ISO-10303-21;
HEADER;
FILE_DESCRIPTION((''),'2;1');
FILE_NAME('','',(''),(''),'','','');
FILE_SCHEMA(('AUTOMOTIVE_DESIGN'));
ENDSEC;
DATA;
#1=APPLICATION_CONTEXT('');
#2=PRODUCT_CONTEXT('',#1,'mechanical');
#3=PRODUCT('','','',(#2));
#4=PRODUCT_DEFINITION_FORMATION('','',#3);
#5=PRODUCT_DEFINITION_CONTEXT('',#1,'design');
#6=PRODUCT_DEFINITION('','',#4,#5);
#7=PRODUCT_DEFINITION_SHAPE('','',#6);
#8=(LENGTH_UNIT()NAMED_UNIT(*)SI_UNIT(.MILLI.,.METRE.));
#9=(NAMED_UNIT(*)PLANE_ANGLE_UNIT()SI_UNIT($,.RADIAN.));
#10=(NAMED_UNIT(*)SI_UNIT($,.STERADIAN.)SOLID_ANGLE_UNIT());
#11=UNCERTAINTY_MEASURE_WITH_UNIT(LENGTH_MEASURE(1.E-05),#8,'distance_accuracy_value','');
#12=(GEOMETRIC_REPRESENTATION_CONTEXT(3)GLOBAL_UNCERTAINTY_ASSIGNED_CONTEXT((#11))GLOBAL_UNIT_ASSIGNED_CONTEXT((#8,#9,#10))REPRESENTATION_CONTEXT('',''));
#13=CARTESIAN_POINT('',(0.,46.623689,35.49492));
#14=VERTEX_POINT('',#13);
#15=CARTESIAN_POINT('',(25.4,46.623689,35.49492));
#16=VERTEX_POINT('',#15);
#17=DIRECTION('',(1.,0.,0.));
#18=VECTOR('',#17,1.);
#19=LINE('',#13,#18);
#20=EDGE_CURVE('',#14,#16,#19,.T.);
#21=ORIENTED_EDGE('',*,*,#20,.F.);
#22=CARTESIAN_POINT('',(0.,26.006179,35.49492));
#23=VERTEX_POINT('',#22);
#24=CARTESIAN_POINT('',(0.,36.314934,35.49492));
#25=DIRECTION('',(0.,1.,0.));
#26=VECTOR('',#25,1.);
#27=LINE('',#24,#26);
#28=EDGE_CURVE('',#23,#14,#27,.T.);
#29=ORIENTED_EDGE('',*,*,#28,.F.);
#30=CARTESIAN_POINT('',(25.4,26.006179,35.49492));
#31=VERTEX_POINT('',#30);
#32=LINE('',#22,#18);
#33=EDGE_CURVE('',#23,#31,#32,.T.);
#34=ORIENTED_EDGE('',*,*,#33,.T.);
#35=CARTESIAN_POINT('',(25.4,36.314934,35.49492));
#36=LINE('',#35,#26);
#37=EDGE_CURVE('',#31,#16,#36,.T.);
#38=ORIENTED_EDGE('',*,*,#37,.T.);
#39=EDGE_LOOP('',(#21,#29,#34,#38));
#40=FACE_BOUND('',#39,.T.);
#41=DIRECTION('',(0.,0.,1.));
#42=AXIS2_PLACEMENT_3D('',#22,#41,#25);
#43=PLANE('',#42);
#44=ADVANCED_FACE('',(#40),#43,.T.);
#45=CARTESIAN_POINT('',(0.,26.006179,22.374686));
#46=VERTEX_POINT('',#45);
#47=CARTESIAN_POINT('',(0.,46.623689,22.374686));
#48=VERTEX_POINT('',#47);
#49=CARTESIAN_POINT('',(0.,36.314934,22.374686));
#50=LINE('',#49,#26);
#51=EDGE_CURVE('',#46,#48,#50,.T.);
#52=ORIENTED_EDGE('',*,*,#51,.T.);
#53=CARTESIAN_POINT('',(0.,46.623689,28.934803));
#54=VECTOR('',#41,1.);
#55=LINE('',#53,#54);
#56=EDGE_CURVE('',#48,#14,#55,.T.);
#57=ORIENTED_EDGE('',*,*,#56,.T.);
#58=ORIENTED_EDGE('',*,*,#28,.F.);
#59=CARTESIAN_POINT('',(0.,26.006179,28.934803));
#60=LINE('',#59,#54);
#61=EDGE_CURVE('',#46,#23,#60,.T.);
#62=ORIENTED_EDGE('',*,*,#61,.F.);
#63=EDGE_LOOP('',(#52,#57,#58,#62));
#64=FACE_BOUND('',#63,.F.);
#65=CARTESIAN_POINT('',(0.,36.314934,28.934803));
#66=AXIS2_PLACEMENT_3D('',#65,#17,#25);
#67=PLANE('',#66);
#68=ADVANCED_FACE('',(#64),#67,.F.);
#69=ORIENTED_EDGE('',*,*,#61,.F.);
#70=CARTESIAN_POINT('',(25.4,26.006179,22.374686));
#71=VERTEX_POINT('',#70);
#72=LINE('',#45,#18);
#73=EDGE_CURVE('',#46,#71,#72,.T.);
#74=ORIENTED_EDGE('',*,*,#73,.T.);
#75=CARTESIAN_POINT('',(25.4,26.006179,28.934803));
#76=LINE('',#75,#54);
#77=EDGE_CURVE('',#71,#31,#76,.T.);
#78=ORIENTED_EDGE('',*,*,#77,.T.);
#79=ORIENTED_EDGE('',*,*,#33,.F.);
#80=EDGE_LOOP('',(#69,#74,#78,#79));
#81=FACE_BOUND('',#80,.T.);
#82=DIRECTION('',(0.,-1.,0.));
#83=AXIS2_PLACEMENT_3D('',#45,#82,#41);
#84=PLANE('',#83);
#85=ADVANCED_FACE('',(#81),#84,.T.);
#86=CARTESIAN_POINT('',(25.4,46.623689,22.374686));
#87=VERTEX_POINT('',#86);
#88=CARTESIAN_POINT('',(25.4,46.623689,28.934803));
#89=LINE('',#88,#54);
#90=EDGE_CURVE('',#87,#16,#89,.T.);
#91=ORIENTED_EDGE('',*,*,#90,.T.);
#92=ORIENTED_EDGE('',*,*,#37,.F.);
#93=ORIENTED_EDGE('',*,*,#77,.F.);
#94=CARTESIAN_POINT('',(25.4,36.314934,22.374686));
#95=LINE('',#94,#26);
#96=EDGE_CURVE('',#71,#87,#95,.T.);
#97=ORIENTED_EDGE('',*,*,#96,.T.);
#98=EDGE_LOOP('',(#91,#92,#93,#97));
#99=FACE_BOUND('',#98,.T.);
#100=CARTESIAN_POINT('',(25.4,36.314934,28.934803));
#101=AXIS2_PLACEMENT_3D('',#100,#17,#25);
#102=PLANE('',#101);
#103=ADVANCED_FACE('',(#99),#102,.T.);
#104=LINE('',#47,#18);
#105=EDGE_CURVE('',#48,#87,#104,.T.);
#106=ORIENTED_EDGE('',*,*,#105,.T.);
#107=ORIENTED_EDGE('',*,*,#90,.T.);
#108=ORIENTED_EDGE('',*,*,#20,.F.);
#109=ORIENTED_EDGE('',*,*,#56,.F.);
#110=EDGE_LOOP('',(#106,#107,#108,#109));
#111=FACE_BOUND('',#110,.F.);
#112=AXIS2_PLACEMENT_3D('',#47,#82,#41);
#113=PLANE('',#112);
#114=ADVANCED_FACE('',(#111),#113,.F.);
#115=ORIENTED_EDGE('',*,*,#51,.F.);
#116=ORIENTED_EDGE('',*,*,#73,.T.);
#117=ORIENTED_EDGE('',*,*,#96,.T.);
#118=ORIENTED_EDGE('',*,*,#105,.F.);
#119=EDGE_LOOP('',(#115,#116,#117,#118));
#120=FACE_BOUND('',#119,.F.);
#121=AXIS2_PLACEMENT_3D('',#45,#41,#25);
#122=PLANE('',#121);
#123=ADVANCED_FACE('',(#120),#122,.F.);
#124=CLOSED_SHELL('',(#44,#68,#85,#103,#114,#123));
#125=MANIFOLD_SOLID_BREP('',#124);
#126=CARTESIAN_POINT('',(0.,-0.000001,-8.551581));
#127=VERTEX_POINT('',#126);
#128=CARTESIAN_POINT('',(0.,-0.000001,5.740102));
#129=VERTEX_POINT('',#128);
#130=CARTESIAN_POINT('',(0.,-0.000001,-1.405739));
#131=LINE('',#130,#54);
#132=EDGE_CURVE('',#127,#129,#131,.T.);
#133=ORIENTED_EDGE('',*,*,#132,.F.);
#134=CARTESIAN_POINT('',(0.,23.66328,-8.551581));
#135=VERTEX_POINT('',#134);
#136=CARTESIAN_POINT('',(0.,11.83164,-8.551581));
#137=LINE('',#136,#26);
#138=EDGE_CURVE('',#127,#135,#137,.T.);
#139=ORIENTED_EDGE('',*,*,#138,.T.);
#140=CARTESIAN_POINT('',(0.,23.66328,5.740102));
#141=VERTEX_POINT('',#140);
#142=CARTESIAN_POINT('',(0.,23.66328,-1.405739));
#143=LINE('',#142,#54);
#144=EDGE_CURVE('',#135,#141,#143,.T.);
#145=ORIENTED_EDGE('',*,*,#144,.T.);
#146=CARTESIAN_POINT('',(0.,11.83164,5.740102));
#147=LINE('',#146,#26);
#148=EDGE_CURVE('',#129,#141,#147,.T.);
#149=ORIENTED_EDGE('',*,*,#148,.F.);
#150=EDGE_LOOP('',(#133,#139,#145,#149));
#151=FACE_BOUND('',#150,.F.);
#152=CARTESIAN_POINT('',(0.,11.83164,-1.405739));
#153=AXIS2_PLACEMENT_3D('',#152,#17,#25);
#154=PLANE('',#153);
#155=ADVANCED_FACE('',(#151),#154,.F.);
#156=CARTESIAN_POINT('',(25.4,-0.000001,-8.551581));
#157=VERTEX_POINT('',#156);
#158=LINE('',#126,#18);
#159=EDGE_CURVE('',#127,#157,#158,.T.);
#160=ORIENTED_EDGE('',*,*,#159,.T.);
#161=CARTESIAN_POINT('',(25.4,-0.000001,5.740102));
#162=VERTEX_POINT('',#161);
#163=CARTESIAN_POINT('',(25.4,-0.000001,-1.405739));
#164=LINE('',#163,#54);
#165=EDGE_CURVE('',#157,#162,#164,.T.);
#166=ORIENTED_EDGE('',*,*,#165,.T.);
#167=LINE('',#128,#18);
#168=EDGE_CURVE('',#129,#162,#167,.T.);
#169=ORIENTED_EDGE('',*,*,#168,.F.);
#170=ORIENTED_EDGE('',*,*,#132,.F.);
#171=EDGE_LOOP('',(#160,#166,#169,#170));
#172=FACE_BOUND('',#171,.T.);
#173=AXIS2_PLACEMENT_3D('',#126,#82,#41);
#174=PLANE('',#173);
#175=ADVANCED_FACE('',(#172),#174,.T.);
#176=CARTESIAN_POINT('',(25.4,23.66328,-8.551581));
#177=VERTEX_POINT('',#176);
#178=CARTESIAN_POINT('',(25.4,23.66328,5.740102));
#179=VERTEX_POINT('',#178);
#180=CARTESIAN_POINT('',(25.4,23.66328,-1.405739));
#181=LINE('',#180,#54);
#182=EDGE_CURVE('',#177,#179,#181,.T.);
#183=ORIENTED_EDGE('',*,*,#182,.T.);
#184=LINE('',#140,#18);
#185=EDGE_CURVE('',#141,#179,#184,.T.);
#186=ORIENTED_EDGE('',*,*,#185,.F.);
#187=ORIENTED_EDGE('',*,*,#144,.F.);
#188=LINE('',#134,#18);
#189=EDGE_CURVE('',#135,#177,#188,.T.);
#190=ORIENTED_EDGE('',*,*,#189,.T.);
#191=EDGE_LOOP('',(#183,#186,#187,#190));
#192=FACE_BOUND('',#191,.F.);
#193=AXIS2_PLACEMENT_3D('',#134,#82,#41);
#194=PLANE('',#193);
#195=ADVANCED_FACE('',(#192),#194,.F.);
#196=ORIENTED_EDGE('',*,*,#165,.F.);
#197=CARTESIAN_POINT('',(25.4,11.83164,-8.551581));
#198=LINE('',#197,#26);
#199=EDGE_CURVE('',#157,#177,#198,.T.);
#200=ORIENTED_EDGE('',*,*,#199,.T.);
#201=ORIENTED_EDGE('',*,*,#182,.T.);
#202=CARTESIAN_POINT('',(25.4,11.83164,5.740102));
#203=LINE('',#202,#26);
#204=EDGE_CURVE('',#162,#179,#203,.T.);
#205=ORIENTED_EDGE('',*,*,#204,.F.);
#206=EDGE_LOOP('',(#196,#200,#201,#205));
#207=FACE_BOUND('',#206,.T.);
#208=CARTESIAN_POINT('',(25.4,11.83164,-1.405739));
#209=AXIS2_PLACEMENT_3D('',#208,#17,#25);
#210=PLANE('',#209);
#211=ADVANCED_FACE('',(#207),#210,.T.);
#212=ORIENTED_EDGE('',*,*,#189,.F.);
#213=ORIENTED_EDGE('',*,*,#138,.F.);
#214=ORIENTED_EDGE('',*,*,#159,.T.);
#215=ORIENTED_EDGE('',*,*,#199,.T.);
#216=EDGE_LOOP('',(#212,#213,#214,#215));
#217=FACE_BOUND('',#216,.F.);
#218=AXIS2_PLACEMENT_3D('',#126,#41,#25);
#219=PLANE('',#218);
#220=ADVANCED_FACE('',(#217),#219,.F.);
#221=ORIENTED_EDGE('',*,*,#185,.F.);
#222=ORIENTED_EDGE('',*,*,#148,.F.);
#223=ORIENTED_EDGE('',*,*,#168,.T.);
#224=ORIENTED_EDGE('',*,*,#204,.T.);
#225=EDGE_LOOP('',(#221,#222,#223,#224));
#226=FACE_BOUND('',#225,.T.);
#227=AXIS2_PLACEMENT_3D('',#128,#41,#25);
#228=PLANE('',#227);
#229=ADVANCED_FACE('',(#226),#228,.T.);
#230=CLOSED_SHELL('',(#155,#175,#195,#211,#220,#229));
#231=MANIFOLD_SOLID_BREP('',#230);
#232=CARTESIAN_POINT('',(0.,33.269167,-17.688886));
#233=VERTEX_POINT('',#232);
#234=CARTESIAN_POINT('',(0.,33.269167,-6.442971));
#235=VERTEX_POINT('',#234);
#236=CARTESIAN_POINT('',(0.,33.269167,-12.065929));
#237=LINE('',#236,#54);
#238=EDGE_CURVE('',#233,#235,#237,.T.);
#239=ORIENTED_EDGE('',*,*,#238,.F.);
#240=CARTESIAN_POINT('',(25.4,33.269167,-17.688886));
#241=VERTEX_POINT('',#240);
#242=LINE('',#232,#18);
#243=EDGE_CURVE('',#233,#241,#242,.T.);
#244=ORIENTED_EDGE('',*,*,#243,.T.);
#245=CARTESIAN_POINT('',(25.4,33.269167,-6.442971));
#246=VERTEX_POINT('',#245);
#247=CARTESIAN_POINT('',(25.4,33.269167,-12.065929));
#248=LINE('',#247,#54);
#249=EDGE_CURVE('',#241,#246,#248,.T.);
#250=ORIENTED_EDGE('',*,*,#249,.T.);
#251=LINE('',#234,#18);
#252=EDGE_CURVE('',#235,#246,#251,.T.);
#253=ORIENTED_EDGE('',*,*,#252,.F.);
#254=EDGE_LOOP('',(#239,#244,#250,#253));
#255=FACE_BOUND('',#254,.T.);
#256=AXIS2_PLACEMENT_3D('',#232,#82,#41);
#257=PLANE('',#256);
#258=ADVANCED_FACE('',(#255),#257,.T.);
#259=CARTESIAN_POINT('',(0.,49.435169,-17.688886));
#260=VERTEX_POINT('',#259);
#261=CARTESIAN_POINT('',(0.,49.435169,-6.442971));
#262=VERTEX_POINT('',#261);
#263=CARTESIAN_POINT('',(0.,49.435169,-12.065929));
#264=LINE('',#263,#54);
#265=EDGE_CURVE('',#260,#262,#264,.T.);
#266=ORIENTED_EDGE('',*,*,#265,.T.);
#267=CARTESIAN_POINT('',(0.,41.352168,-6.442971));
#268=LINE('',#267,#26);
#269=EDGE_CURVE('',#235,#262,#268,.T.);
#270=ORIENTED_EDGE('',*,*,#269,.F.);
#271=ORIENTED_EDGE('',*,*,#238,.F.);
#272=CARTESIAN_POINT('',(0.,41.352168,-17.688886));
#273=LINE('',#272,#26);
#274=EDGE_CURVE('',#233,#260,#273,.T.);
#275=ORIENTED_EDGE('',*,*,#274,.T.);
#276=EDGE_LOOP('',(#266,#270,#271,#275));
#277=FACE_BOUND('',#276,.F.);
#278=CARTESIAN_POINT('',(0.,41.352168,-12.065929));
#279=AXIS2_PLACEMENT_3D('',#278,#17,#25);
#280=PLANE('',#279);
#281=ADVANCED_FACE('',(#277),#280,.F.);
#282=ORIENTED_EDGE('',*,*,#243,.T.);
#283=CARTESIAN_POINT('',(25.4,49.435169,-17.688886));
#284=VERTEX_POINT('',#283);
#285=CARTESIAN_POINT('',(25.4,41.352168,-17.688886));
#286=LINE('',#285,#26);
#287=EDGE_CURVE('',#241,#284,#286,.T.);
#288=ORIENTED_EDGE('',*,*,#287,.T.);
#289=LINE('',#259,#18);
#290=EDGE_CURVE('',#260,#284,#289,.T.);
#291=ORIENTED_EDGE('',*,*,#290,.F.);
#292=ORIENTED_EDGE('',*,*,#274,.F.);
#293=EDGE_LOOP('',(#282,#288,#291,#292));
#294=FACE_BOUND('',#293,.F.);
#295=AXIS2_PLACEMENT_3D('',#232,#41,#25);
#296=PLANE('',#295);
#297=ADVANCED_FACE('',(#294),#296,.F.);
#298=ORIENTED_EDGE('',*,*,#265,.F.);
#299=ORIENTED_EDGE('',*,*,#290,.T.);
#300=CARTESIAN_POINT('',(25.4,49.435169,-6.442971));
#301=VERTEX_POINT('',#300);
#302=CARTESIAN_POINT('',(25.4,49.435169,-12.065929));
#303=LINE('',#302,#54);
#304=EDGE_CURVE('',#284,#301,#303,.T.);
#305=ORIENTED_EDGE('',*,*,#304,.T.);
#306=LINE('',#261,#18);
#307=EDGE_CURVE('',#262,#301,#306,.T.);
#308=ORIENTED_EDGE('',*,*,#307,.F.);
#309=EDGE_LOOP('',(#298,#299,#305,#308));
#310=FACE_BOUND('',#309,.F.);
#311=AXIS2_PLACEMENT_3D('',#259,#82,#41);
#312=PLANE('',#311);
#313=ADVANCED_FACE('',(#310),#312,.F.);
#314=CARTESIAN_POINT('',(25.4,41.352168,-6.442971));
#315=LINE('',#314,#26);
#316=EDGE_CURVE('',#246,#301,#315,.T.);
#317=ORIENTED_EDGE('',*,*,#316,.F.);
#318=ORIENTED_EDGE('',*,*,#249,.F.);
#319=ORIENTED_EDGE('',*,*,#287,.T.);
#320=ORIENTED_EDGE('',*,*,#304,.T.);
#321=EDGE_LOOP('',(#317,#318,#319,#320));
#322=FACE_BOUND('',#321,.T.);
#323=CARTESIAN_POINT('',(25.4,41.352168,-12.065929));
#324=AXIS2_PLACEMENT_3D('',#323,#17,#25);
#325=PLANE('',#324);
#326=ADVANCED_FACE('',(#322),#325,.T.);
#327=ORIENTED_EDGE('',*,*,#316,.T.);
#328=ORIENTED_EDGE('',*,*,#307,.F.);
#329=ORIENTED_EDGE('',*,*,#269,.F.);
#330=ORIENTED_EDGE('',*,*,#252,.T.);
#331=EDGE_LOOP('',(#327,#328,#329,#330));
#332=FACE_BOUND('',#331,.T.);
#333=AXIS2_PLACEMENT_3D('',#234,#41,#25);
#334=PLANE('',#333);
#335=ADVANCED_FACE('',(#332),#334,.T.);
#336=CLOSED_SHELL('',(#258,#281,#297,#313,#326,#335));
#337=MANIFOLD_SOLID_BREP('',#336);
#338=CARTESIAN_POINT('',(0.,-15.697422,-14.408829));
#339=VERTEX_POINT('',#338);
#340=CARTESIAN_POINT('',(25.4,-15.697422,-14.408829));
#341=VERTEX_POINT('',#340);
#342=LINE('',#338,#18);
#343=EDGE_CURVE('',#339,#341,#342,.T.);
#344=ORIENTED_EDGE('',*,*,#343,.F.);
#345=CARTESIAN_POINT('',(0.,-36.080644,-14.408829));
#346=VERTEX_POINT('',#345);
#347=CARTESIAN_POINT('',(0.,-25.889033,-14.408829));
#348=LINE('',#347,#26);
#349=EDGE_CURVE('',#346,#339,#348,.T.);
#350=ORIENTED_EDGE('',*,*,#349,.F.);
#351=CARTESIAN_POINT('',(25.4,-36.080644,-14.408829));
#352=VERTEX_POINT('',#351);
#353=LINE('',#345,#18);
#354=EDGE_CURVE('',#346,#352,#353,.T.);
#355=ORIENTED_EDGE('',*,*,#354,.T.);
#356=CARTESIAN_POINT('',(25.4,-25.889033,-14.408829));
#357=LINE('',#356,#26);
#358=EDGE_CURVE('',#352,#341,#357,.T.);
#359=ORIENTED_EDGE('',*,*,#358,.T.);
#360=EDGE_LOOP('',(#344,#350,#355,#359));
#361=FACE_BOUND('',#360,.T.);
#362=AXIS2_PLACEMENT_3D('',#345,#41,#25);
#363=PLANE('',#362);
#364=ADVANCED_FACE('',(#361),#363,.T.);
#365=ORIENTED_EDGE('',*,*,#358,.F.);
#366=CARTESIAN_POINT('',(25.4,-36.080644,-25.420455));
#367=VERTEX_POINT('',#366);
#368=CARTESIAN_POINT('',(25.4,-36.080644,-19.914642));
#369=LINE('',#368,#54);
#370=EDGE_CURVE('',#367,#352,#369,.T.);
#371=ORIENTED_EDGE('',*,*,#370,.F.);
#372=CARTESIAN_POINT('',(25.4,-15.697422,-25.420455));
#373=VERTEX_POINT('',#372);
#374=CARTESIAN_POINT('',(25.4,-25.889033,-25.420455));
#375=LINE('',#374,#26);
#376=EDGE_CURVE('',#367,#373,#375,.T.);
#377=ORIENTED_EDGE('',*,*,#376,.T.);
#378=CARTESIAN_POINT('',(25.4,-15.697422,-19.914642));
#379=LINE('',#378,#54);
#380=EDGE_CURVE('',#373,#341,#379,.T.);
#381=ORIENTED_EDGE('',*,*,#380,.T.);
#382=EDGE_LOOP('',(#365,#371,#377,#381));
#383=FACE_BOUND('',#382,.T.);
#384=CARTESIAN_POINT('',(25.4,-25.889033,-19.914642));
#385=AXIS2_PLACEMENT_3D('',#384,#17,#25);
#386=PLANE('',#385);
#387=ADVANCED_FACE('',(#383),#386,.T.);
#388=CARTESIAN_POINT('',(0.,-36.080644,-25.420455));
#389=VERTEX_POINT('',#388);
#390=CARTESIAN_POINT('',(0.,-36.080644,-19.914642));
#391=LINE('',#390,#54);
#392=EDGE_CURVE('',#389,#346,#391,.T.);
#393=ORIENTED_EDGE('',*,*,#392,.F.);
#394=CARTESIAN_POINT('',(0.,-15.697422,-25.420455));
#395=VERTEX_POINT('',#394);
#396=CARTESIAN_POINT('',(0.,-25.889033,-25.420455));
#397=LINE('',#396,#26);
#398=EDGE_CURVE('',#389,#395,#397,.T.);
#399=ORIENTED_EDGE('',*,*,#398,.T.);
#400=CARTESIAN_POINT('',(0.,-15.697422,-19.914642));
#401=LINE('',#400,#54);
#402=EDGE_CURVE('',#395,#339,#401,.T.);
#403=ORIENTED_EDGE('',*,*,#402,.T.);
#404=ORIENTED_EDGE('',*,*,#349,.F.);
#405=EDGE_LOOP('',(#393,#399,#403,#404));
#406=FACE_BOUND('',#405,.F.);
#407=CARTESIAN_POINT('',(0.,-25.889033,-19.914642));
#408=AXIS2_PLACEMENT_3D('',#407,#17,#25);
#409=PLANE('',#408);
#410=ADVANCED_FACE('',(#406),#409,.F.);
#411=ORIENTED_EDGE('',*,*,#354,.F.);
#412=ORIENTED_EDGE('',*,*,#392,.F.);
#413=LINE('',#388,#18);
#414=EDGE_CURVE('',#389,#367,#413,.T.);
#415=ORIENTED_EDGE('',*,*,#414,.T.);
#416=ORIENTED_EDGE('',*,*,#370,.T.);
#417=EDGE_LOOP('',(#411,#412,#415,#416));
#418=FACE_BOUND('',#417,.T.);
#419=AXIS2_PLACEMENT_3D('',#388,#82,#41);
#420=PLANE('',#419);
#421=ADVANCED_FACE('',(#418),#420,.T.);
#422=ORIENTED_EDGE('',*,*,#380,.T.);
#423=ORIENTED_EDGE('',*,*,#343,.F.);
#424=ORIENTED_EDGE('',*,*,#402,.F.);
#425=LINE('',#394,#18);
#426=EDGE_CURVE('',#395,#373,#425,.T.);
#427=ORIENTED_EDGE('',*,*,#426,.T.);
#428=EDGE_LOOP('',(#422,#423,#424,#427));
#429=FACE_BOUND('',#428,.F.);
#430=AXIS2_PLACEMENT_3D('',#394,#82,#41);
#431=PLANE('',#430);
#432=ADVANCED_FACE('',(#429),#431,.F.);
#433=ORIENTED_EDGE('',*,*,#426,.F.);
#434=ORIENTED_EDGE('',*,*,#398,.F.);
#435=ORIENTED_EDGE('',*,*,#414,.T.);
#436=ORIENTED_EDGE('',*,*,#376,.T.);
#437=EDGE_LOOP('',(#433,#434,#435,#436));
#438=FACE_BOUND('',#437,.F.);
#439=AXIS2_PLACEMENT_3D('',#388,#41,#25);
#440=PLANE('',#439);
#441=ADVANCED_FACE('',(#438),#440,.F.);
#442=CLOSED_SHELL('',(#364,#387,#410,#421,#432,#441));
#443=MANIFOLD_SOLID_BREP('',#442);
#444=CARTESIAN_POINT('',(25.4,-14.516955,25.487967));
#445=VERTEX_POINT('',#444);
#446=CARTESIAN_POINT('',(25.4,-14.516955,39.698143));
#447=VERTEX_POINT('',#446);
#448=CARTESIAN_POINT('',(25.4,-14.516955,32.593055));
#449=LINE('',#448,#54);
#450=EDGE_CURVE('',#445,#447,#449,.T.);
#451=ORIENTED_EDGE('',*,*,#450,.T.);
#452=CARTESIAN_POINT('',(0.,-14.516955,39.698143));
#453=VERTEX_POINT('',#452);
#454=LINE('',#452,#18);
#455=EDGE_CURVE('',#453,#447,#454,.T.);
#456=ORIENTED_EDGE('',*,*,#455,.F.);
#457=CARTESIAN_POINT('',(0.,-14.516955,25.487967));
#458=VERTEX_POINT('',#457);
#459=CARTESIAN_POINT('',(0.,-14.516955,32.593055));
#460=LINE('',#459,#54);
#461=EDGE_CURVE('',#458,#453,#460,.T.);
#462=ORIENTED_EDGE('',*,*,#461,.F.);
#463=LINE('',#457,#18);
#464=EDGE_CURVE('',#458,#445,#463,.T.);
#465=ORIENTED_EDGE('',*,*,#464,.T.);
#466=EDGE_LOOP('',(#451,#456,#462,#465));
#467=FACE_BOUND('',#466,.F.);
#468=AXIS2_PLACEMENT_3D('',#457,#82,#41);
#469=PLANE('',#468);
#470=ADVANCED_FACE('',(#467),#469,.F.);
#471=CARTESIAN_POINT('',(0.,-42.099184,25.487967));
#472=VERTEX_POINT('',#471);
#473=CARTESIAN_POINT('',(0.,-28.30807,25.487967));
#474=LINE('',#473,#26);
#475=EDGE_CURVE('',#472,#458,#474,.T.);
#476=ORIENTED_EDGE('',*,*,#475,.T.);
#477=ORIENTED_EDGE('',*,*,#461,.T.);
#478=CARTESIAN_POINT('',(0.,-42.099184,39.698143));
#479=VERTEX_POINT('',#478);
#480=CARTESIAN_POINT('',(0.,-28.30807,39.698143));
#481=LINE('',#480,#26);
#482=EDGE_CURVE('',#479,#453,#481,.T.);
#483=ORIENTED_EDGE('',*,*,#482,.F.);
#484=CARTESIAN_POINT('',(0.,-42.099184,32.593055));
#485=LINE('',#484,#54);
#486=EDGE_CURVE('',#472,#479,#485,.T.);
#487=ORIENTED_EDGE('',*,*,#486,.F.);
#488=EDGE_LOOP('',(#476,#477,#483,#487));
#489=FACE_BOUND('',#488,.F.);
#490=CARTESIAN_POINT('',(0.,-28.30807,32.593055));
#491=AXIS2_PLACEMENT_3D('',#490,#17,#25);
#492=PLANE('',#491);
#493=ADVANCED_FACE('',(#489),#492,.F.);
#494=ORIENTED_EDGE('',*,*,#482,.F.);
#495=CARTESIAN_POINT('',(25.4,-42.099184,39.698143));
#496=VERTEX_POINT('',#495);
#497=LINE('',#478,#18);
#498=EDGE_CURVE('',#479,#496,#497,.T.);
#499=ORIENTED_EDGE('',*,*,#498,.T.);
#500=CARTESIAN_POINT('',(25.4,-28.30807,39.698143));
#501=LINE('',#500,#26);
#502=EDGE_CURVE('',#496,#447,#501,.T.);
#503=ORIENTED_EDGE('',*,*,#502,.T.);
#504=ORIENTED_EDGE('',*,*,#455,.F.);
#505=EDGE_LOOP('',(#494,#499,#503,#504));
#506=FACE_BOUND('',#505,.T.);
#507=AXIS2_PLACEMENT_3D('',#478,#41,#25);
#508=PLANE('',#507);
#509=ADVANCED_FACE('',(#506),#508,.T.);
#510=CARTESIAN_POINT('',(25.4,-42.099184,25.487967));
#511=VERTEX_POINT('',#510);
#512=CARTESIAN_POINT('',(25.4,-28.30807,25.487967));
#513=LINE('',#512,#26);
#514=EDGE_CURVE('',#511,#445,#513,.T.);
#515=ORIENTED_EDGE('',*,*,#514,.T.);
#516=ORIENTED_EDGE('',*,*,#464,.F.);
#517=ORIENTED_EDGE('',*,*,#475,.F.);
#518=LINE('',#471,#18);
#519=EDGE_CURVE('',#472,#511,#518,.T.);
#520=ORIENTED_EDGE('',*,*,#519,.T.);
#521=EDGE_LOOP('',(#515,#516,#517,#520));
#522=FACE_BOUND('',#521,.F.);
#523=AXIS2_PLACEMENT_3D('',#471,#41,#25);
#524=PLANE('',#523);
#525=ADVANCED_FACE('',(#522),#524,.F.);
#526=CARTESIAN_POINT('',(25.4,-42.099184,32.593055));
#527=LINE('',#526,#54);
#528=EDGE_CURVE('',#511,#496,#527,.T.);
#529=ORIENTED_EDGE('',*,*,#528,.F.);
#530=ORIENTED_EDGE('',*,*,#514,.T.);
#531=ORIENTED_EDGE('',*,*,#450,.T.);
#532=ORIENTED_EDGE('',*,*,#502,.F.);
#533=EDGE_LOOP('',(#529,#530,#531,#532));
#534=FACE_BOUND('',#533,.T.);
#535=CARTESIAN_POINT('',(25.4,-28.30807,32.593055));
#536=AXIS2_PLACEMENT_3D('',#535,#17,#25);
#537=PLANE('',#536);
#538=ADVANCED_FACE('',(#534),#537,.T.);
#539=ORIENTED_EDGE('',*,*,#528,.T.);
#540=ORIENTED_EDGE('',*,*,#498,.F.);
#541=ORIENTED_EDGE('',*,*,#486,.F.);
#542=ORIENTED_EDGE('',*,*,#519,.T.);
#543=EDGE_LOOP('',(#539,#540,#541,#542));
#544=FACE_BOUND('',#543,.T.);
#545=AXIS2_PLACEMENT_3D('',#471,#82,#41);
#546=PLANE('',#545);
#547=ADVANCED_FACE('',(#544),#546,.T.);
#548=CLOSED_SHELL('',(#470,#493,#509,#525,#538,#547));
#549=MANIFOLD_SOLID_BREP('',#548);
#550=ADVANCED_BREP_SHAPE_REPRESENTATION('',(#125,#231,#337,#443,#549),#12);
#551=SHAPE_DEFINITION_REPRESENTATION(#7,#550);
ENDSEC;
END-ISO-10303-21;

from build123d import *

# Parameters (mm, degrees)
F0_W     = 27.582229
F0_H     = 14.210176
F1_DEPTH = 25.4
F2_W     = 20.617509
F2_H     = 13.120234
F6_DEPTH = 25.4
F3_W     = 16.166002
F3_H     = 11.245915
F7_DEPTH = 25.4
F5_W     = 23.663281
F5_H     = 14.291683
F8_DEPTH = 25.4
F4_W     = 20.383222
F4_H     = 11.011626
F9_DEPTH = 25.4


with BuildPart() as f1:
    # F0 (on Right) → F1 (new body)
    with BuildSketch(Plane.YZ):
        with Locations((-28.30807, 32.593055)):
            Rectangle(F0_W, F0_H)
    extrude(amount=F1_DEPTH)


with BuildPart() as f6:
    # F2 (on Right) → F6 (new body)
    with BuildSketch(Plane.YZ):
        with Locations((36.314934, 28.934803)):
            Rectangle(F2_W, F2_H)
    extrude(amount=F6_DEPTH)


with BuildPart() as f7:
    # F3 (on Right) → F7 (new body)
    with BuildSketch(Plane.YZ):
        with Locations((41.352168, -12.065929)):
            Rectangle(F3_W, F3_H)
    extrude(amount=F7_DEPTH)


with BuildPart() as f8:
    # F5 (on Right) → F8 (new body)
    with BuildSketch(Plane.YZ):
        with Locations((11.83164, -1.405739)):
            Rectangle(F5_W, F5_H)
    extrude(amount=F8_DEPTH)


with BuildPart() as f9:
    # F4 (on Right) → F9 (new body)
    with BuildSketch(Plane.YZ):
        with Locations((-25.889033, -19.914642)):
            Rectangle(F4_W, F4_H)
    extrude(amount=F9_DEPTH)


solid = Compound([f1.part, f6.part, f7.part, f8.part, f9.part])
